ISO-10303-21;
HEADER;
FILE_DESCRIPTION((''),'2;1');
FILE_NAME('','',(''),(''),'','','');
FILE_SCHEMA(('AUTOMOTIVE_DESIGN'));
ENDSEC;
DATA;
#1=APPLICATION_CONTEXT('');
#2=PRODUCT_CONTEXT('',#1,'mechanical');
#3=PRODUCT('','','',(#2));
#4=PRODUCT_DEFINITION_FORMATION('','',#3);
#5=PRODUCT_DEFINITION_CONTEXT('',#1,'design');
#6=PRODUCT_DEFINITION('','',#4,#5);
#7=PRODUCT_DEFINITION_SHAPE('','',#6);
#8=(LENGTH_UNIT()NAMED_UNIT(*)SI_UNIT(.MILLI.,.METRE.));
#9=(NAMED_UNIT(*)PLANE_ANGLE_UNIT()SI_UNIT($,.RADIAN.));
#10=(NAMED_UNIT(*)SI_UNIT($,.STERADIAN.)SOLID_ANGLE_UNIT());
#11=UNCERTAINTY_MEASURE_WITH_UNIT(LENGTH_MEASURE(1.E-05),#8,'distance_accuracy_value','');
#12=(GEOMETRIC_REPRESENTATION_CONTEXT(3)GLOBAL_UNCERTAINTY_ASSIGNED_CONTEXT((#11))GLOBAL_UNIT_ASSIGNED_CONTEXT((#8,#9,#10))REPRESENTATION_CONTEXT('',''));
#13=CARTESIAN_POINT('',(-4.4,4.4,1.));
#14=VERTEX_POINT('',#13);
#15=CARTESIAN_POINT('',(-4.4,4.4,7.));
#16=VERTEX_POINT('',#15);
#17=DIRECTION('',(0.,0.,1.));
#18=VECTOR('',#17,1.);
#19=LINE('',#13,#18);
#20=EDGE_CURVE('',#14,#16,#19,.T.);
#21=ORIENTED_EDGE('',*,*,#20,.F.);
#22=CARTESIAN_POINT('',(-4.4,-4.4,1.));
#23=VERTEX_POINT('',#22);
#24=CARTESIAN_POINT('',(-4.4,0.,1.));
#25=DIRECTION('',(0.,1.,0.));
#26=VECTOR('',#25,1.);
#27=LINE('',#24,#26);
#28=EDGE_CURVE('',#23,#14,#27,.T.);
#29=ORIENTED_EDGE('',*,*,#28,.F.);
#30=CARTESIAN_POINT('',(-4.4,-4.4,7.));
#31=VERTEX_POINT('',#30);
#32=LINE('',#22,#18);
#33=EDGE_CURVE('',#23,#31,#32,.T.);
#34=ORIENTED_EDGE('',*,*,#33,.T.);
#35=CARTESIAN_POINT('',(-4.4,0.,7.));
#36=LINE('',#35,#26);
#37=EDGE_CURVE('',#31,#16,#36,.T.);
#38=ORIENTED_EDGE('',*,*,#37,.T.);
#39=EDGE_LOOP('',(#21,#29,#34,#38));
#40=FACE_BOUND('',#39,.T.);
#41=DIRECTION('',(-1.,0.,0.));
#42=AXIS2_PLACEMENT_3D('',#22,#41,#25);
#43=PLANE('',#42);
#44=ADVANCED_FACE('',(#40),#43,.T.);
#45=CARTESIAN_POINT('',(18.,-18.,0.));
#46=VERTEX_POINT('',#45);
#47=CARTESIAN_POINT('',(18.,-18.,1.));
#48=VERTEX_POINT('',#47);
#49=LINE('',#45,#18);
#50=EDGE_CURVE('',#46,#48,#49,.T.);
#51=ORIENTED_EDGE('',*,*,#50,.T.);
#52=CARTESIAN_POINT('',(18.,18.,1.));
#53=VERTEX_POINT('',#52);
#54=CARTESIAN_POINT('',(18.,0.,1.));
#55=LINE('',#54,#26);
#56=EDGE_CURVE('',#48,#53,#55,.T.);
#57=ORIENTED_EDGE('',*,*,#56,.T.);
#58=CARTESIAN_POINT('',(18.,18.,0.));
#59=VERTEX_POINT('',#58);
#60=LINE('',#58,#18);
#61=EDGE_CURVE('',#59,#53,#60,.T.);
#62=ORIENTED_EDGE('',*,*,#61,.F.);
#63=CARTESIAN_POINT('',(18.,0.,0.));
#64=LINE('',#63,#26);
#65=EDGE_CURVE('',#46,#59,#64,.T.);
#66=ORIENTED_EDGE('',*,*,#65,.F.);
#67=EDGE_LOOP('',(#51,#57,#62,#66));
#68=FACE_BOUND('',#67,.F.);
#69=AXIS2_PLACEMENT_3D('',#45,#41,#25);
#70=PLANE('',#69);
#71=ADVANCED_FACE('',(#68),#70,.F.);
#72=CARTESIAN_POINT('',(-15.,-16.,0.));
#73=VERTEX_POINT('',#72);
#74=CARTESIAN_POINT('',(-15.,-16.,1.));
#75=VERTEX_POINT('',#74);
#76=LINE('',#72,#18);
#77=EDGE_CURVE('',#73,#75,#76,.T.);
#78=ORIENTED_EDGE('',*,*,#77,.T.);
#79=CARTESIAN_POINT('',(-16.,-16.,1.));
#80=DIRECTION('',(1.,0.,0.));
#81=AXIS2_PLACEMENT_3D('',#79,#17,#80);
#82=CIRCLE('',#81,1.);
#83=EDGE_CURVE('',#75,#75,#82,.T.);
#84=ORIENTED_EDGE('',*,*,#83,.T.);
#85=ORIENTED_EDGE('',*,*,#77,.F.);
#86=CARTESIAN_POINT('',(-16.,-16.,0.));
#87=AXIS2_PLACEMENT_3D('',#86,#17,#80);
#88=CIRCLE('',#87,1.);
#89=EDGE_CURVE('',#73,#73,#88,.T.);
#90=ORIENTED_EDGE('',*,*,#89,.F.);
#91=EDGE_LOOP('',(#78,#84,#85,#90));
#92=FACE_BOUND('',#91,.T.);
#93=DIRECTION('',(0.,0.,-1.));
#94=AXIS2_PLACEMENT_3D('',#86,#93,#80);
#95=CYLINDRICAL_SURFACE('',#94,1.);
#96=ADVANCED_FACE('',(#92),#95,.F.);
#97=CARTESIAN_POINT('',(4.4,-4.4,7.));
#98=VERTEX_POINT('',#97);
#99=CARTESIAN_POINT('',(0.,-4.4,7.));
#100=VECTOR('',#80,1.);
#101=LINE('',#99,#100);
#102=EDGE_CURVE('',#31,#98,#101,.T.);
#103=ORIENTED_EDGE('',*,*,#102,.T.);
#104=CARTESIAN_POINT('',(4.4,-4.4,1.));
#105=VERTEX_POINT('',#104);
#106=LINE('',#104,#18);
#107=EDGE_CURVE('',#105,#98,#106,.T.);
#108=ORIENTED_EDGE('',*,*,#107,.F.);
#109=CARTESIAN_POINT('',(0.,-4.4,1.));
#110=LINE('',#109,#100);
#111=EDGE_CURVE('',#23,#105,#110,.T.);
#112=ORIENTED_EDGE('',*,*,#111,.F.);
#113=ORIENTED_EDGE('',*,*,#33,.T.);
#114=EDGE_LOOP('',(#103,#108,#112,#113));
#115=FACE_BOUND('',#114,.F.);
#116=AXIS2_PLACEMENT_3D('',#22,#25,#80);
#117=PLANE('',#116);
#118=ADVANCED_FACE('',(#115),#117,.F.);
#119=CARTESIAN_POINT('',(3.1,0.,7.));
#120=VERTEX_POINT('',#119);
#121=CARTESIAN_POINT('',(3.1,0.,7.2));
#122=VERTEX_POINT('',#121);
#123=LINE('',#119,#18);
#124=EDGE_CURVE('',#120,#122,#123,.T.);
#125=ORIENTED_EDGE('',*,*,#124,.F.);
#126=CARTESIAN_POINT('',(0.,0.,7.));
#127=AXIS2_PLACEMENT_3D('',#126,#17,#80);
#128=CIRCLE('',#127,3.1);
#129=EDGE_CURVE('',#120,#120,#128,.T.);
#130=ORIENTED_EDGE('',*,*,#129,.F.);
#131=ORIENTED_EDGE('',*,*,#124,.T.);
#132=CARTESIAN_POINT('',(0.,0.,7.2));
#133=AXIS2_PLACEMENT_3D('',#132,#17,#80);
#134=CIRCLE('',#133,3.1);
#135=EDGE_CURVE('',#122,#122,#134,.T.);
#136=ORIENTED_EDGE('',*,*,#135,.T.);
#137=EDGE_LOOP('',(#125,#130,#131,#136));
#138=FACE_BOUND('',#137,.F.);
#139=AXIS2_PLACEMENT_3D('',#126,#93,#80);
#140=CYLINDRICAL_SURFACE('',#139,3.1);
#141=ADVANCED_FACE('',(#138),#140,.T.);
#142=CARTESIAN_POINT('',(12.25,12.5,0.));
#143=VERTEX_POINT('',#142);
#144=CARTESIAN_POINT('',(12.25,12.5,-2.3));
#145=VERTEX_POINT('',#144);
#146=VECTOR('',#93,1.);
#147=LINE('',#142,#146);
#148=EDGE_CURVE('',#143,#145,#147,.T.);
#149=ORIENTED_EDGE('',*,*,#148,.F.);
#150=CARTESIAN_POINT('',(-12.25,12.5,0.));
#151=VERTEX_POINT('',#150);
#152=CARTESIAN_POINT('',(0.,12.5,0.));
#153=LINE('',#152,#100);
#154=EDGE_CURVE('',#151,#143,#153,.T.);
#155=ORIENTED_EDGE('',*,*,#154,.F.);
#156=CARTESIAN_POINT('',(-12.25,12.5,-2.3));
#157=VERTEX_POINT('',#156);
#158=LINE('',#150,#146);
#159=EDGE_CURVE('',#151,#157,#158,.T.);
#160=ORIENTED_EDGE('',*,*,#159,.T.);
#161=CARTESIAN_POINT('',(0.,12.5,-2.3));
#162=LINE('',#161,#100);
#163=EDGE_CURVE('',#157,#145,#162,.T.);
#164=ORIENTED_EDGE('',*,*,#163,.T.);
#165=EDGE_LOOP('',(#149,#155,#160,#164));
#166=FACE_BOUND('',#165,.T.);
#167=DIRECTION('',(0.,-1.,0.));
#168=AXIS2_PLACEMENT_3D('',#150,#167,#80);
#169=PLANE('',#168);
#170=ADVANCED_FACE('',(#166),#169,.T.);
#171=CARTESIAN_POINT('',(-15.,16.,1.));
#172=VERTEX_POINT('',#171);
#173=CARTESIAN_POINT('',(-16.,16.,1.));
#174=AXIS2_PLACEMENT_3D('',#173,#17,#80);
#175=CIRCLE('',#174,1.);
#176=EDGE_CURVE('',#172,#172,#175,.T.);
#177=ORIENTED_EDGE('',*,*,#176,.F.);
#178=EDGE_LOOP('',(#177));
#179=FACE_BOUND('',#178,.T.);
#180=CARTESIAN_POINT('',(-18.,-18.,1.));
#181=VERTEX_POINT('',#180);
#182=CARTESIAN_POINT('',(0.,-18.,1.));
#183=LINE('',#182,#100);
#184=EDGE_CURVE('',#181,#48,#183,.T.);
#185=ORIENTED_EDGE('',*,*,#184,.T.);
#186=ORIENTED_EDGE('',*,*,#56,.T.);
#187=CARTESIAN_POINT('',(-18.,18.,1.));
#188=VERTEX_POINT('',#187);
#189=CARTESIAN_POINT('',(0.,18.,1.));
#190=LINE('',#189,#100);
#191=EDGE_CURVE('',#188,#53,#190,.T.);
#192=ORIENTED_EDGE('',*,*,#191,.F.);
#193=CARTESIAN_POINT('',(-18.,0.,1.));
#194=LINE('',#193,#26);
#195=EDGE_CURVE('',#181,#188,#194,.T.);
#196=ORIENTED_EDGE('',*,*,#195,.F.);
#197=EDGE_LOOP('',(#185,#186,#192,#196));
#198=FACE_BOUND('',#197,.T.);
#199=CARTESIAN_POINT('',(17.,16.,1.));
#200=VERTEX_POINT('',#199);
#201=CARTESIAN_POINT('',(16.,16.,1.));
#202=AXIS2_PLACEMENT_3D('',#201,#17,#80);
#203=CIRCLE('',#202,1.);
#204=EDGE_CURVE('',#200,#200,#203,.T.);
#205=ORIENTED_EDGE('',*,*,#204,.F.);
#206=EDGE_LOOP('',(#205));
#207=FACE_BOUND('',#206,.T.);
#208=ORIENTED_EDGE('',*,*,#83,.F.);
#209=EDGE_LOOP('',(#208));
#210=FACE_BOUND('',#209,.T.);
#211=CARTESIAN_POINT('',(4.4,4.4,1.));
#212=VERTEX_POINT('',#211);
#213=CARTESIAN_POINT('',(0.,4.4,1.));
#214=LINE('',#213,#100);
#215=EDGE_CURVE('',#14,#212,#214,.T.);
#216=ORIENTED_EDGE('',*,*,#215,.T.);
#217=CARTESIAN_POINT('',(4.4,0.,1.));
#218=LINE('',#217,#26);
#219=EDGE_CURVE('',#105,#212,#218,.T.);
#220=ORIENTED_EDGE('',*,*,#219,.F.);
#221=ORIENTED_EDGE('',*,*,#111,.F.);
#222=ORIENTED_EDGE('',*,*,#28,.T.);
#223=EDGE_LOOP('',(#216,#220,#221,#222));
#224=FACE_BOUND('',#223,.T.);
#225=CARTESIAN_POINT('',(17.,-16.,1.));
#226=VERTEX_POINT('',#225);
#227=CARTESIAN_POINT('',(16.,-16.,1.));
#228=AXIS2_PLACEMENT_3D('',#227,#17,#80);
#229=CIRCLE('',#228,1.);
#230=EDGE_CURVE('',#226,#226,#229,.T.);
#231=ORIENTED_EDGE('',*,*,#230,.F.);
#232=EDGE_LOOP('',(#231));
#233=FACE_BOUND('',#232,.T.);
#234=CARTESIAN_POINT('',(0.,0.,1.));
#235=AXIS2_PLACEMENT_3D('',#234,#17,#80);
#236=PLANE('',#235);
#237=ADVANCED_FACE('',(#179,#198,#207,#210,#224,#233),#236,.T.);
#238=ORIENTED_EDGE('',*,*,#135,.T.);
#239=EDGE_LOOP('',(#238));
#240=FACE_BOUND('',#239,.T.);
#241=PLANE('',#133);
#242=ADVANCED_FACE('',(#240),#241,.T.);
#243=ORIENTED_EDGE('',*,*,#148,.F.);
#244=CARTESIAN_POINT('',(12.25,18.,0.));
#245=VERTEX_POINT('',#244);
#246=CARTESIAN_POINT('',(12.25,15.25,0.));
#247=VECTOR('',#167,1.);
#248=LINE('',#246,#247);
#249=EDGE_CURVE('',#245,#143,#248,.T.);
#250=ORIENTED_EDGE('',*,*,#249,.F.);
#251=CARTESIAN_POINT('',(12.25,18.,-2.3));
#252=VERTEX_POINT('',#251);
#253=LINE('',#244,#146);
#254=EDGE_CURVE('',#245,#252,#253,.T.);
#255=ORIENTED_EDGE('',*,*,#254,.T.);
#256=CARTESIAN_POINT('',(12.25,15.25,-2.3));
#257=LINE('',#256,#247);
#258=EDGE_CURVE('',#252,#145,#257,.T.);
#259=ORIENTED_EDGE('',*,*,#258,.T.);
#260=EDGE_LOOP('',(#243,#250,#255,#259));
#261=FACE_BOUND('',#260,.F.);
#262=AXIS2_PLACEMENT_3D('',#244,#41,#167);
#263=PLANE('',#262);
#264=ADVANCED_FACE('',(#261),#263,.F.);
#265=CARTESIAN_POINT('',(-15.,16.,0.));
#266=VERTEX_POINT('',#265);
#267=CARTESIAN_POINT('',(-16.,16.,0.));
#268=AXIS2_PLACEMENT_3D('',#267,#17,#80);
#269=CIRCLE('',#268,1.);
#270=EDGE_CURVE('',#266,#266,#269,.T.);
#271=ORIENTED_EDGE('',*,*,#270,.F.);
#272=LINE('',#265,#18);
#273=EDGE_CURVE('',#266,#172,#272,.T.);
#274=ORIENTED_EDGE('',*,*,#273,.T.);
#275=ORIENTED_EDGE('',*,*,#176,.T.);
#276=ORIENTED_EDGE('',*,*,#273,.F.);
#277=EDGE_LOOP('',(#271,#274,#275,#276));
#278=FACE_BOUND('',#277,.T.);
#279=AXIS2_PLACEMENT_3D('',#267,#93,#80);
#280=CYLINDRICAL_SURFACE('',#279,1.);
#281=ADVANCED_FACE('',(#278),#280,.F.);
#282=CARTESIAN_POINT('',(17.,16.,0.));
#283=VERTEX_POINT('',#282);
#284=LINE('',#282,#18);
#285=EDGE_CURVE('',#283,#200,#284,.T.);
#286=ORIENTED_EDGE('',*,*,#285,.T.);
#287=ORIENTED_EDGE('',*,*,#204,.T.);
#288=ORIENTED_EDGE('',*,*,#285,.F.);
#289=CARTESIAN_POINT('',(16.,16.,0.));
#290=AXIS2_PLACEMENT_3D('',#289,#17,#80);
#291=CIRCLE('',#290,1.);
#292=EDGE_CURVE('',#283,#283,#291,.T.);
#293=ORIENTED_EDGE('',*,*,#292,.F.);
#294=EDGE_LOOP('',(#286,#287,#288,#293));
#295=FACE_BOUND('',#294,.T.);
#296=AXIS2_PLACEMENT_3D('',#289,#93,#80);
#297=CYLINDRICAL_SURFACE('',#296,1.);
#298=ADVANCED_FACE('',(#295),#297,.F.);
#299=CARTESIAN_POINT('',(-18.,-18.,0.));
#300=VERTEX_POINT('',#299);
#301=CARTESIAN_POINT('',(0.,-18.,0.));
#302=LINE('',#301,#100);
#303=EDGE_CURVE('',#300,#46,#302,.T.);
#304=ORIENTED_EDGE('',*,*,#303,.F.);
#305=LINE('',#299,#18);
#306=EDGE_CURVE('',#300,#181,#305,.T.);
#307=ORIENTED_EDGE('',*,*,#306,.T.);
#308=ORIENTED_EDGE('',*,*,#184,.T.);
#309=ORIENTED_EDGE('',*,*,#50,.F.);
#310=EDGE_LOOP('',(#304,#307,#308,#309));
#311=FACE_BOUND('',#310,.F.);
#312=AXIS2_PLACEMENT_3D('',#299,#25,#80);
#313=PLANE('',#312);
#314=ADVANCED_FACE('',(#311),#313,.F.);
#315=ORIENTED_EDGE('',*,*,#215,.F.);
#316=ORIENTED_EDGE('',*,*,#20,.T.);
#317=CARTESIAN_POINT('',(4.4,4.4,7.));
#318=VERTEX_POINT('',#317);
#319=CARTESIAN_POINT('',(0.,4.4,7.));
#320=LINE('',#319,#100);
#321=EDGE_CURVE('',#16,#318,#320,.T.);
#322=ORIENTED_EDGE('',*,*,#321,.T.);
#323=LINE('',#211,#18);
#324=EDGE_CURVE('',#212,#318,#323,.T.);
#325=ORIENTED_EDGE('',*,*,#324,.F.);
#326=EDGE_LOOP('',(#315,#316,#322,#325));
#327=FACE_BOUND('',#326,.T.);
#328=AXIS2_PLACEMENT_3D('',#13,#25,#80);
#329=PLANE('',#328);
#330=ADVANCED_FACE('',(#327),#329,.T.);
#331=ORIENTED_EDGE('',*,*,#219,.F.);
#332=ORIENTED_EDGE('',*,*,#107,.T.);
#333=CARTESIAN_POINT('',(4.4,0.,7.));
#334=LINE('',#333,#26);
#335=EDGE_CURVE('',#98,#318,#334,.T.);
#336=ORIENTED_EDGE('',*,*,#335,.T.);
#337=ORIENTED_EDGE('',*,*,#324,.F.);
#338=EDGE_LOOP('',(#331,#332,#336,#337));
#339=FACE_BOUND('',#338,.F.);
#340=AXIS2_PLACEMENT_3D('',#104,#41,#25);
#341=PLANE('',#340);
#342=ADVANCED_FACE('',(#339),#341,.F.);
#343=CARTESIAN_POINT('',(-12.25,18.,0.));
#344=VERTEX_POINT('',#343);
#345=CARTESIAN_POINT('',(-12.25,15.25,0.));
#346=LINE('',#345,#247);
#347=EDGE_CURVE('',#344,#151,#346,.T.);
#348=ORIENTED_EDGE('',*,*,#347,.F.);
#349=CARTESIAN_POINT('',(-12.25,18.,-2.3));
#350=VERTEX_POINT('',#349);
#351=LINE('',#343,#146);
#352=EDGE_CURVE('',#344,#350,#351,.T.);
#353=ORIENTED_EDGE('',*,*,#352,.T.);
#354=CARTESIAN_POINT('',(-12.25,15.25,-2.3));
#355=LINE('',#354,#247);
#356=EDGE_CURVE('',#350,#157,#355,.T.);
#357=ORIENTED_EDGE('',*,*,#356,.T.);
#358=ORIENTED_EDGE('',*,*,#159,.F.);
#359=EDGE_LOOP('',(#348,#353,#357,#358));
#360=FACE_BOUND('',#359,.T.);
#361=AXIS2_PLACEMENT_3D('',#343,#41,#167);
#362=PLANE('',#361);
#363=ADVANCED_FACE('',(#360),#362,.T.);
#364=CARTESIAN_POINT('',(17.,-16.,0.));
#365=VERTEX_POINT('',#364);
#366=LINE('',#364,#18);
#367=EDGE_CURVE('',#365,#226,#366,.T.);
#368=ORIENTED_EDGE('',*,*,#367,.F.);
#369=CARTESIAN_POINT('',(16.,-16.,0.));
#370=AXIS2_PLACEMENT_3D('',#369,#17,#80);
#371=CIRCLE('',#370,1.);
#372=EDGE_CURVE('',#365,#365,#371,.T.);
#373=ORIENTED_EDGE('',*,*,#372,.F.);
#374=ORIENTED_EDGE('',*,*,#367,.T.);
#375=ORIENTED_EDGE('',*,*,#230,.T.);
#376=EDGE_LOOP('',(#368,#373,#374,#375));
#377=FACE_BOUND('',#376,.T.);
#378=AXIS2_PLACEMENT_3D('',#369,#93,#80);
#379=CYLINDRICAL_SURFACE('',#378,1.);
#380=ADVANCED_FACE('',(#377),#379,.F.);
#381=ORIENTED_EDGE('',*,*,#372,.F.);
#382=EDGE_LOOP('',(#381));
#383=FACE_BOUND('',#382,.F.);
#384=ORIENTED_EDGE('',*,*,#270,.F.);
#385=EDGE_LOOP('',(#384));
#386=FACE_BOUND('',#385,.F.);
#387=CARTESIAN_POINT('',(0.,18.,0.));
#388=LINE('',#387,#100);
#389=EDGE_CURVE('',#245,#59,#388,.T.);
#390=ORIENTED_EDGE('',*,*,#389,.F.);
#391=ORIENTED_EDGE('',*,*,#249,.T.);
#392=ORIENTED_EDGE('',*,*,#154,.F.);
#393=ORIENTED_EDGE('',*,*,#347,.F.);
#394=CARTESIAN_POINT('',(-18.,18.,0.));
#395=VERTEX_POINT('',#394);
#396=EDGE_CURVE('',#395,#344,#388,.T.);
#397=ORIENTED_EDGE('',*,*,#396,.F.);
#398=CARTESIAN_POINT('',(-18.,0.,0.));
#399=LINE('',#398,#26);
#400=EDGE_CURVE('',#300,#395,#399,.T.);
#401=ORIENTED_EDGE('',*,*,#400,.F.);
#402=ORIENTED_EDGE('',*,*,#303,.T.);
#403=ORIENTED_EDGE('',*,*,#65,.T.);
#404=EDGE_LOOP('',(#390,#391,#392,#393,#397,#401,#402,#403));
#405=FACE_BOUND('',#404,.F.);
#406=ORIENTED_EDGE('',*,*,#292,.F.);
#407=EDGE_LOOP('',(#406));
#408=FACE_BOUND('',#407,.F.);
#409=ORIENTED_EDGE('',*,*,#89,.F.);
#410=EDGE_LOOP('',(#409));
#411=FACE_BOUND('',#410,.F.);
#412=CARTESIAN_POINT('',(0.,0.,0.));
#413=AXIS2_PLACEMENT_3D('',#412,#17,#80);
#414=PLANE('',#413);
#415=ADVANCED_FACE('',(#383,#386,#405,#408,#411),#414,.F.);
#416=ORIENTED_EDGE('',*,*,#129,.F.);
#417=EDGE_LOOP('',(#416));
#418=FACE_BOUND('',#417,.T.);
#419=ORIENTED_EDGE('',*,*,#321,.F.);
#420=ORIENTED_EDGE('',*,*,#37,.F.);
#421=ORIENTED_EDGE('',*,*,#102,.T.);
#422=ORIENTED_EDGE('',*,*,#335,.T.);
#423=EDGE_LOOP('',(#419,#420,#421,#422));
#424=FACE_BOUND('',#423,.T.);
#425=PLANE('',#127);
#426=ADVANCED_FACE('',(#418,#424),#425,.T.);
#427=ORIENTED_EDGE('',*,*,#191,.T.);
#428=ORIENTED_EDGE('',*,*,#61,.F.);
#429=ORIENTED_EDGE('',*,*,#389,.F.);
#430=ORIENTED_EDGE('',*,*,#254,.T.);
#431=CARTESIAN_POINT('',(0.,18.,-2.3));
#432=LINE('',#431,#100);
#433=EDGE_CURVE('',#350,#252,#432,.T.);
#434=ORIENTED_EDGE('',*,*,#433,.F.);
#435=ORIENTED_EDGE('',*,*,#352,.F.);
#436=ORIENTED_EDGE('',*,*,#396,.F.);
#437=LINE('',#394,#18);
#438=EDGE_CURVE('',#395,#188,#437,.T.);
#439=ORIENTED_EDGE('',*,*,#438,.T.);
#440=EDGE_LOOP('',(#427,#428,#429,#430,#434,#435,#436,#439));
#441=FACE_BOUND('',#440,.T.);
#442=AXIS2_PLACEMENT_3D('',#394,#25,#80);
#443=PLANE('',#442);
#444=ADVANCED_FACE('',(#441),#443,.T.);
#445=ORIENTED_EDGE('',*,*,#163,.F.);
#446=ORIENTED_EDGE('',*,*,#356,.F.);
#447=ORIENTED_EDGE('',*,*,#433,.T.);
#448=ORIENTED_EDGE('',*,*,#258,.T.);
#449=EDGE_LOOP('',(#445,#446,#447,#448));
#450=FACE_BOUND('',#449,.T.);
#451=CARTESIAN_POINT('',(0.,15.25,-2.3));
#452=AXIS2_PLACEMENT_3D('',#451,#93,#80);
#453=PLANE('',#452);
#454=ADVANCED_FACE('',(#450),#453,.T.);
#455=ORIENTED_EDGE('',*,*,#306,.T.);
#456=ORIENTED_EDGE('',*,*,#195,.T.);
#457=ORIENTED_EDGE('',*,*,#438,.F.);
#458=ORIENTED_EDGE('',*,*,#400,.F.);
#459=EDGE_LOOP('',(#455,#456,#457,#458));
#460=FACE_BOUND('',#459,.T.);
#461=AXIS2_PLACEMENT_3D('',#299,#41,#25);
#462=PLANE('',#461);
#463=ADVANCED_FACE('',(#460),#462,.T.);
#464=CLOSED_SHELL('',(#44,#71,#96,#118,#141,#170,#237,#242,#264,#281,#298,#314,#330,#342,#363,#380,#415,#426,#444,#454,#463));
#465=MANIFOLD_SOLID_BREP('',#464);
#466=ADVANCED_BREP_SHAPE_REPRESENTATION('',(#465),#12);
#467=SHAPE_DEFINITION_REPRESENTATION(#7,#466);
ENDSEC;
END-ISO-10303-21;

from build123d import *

# Parameters (mm, degrees)
F0_W     = 36
F0_H     = 36
F0_R     = 1
F1_DEPTH = 1
F2_W     = 8.8
F2_H     = 8.8
F3_DEPTH = 6
F4_W     = 24.5
F4_H     = 5.5
F5_DEPTH = 2.3
F6_R     = 3.1
F7_DEPTH = 0.2


with BuildPart() as f1:
    # F0 (on Top) → F1 (new body)
    with BuildSketch(Plane.XY):
        Rectangle(F0_W, F0_H)
        with Locations((-16, -16)):
            Circle(F0_R, mode=Mode.SUBTRACT)
        with Locations((16, -16)):
            Circle(F0_R, mode=Mode.SUBTRACT)
        with Locations((-16, 16)):
            Circle(F0_R, mode=Mode.SUBTRACT)
        with Locations((16, 16)):
            Circle(F0_R, mode=Mode.SUBTRACT)
    extrude(amount=F1_DEPTH)

    # F2 (on face) → F3 (join)
    with BuildSketch(Plane.XY.offset(1)):
        Rectangle(F2_W, F2_H)
    extrude(amount=F3_DEPTH)

    # F4 (on face) → F5 (join)
    with BuildSketch(Plane(origin=(0, 0, 0), x_dir=(1, 0, 0), z_dir=(0, 0, -1))):
        with Locations((0, -15.25)):
            Rectangle(F4_W, F4_H)
    extrude(amount=F5_DEPTH)

    # F6 (on face) → F7 (join)
    with BuildSketch(Plane.XY.offset(7)):
        Circle(F6_R)
    extrude(amount=F7_DEPTH)


solid = f1.part
